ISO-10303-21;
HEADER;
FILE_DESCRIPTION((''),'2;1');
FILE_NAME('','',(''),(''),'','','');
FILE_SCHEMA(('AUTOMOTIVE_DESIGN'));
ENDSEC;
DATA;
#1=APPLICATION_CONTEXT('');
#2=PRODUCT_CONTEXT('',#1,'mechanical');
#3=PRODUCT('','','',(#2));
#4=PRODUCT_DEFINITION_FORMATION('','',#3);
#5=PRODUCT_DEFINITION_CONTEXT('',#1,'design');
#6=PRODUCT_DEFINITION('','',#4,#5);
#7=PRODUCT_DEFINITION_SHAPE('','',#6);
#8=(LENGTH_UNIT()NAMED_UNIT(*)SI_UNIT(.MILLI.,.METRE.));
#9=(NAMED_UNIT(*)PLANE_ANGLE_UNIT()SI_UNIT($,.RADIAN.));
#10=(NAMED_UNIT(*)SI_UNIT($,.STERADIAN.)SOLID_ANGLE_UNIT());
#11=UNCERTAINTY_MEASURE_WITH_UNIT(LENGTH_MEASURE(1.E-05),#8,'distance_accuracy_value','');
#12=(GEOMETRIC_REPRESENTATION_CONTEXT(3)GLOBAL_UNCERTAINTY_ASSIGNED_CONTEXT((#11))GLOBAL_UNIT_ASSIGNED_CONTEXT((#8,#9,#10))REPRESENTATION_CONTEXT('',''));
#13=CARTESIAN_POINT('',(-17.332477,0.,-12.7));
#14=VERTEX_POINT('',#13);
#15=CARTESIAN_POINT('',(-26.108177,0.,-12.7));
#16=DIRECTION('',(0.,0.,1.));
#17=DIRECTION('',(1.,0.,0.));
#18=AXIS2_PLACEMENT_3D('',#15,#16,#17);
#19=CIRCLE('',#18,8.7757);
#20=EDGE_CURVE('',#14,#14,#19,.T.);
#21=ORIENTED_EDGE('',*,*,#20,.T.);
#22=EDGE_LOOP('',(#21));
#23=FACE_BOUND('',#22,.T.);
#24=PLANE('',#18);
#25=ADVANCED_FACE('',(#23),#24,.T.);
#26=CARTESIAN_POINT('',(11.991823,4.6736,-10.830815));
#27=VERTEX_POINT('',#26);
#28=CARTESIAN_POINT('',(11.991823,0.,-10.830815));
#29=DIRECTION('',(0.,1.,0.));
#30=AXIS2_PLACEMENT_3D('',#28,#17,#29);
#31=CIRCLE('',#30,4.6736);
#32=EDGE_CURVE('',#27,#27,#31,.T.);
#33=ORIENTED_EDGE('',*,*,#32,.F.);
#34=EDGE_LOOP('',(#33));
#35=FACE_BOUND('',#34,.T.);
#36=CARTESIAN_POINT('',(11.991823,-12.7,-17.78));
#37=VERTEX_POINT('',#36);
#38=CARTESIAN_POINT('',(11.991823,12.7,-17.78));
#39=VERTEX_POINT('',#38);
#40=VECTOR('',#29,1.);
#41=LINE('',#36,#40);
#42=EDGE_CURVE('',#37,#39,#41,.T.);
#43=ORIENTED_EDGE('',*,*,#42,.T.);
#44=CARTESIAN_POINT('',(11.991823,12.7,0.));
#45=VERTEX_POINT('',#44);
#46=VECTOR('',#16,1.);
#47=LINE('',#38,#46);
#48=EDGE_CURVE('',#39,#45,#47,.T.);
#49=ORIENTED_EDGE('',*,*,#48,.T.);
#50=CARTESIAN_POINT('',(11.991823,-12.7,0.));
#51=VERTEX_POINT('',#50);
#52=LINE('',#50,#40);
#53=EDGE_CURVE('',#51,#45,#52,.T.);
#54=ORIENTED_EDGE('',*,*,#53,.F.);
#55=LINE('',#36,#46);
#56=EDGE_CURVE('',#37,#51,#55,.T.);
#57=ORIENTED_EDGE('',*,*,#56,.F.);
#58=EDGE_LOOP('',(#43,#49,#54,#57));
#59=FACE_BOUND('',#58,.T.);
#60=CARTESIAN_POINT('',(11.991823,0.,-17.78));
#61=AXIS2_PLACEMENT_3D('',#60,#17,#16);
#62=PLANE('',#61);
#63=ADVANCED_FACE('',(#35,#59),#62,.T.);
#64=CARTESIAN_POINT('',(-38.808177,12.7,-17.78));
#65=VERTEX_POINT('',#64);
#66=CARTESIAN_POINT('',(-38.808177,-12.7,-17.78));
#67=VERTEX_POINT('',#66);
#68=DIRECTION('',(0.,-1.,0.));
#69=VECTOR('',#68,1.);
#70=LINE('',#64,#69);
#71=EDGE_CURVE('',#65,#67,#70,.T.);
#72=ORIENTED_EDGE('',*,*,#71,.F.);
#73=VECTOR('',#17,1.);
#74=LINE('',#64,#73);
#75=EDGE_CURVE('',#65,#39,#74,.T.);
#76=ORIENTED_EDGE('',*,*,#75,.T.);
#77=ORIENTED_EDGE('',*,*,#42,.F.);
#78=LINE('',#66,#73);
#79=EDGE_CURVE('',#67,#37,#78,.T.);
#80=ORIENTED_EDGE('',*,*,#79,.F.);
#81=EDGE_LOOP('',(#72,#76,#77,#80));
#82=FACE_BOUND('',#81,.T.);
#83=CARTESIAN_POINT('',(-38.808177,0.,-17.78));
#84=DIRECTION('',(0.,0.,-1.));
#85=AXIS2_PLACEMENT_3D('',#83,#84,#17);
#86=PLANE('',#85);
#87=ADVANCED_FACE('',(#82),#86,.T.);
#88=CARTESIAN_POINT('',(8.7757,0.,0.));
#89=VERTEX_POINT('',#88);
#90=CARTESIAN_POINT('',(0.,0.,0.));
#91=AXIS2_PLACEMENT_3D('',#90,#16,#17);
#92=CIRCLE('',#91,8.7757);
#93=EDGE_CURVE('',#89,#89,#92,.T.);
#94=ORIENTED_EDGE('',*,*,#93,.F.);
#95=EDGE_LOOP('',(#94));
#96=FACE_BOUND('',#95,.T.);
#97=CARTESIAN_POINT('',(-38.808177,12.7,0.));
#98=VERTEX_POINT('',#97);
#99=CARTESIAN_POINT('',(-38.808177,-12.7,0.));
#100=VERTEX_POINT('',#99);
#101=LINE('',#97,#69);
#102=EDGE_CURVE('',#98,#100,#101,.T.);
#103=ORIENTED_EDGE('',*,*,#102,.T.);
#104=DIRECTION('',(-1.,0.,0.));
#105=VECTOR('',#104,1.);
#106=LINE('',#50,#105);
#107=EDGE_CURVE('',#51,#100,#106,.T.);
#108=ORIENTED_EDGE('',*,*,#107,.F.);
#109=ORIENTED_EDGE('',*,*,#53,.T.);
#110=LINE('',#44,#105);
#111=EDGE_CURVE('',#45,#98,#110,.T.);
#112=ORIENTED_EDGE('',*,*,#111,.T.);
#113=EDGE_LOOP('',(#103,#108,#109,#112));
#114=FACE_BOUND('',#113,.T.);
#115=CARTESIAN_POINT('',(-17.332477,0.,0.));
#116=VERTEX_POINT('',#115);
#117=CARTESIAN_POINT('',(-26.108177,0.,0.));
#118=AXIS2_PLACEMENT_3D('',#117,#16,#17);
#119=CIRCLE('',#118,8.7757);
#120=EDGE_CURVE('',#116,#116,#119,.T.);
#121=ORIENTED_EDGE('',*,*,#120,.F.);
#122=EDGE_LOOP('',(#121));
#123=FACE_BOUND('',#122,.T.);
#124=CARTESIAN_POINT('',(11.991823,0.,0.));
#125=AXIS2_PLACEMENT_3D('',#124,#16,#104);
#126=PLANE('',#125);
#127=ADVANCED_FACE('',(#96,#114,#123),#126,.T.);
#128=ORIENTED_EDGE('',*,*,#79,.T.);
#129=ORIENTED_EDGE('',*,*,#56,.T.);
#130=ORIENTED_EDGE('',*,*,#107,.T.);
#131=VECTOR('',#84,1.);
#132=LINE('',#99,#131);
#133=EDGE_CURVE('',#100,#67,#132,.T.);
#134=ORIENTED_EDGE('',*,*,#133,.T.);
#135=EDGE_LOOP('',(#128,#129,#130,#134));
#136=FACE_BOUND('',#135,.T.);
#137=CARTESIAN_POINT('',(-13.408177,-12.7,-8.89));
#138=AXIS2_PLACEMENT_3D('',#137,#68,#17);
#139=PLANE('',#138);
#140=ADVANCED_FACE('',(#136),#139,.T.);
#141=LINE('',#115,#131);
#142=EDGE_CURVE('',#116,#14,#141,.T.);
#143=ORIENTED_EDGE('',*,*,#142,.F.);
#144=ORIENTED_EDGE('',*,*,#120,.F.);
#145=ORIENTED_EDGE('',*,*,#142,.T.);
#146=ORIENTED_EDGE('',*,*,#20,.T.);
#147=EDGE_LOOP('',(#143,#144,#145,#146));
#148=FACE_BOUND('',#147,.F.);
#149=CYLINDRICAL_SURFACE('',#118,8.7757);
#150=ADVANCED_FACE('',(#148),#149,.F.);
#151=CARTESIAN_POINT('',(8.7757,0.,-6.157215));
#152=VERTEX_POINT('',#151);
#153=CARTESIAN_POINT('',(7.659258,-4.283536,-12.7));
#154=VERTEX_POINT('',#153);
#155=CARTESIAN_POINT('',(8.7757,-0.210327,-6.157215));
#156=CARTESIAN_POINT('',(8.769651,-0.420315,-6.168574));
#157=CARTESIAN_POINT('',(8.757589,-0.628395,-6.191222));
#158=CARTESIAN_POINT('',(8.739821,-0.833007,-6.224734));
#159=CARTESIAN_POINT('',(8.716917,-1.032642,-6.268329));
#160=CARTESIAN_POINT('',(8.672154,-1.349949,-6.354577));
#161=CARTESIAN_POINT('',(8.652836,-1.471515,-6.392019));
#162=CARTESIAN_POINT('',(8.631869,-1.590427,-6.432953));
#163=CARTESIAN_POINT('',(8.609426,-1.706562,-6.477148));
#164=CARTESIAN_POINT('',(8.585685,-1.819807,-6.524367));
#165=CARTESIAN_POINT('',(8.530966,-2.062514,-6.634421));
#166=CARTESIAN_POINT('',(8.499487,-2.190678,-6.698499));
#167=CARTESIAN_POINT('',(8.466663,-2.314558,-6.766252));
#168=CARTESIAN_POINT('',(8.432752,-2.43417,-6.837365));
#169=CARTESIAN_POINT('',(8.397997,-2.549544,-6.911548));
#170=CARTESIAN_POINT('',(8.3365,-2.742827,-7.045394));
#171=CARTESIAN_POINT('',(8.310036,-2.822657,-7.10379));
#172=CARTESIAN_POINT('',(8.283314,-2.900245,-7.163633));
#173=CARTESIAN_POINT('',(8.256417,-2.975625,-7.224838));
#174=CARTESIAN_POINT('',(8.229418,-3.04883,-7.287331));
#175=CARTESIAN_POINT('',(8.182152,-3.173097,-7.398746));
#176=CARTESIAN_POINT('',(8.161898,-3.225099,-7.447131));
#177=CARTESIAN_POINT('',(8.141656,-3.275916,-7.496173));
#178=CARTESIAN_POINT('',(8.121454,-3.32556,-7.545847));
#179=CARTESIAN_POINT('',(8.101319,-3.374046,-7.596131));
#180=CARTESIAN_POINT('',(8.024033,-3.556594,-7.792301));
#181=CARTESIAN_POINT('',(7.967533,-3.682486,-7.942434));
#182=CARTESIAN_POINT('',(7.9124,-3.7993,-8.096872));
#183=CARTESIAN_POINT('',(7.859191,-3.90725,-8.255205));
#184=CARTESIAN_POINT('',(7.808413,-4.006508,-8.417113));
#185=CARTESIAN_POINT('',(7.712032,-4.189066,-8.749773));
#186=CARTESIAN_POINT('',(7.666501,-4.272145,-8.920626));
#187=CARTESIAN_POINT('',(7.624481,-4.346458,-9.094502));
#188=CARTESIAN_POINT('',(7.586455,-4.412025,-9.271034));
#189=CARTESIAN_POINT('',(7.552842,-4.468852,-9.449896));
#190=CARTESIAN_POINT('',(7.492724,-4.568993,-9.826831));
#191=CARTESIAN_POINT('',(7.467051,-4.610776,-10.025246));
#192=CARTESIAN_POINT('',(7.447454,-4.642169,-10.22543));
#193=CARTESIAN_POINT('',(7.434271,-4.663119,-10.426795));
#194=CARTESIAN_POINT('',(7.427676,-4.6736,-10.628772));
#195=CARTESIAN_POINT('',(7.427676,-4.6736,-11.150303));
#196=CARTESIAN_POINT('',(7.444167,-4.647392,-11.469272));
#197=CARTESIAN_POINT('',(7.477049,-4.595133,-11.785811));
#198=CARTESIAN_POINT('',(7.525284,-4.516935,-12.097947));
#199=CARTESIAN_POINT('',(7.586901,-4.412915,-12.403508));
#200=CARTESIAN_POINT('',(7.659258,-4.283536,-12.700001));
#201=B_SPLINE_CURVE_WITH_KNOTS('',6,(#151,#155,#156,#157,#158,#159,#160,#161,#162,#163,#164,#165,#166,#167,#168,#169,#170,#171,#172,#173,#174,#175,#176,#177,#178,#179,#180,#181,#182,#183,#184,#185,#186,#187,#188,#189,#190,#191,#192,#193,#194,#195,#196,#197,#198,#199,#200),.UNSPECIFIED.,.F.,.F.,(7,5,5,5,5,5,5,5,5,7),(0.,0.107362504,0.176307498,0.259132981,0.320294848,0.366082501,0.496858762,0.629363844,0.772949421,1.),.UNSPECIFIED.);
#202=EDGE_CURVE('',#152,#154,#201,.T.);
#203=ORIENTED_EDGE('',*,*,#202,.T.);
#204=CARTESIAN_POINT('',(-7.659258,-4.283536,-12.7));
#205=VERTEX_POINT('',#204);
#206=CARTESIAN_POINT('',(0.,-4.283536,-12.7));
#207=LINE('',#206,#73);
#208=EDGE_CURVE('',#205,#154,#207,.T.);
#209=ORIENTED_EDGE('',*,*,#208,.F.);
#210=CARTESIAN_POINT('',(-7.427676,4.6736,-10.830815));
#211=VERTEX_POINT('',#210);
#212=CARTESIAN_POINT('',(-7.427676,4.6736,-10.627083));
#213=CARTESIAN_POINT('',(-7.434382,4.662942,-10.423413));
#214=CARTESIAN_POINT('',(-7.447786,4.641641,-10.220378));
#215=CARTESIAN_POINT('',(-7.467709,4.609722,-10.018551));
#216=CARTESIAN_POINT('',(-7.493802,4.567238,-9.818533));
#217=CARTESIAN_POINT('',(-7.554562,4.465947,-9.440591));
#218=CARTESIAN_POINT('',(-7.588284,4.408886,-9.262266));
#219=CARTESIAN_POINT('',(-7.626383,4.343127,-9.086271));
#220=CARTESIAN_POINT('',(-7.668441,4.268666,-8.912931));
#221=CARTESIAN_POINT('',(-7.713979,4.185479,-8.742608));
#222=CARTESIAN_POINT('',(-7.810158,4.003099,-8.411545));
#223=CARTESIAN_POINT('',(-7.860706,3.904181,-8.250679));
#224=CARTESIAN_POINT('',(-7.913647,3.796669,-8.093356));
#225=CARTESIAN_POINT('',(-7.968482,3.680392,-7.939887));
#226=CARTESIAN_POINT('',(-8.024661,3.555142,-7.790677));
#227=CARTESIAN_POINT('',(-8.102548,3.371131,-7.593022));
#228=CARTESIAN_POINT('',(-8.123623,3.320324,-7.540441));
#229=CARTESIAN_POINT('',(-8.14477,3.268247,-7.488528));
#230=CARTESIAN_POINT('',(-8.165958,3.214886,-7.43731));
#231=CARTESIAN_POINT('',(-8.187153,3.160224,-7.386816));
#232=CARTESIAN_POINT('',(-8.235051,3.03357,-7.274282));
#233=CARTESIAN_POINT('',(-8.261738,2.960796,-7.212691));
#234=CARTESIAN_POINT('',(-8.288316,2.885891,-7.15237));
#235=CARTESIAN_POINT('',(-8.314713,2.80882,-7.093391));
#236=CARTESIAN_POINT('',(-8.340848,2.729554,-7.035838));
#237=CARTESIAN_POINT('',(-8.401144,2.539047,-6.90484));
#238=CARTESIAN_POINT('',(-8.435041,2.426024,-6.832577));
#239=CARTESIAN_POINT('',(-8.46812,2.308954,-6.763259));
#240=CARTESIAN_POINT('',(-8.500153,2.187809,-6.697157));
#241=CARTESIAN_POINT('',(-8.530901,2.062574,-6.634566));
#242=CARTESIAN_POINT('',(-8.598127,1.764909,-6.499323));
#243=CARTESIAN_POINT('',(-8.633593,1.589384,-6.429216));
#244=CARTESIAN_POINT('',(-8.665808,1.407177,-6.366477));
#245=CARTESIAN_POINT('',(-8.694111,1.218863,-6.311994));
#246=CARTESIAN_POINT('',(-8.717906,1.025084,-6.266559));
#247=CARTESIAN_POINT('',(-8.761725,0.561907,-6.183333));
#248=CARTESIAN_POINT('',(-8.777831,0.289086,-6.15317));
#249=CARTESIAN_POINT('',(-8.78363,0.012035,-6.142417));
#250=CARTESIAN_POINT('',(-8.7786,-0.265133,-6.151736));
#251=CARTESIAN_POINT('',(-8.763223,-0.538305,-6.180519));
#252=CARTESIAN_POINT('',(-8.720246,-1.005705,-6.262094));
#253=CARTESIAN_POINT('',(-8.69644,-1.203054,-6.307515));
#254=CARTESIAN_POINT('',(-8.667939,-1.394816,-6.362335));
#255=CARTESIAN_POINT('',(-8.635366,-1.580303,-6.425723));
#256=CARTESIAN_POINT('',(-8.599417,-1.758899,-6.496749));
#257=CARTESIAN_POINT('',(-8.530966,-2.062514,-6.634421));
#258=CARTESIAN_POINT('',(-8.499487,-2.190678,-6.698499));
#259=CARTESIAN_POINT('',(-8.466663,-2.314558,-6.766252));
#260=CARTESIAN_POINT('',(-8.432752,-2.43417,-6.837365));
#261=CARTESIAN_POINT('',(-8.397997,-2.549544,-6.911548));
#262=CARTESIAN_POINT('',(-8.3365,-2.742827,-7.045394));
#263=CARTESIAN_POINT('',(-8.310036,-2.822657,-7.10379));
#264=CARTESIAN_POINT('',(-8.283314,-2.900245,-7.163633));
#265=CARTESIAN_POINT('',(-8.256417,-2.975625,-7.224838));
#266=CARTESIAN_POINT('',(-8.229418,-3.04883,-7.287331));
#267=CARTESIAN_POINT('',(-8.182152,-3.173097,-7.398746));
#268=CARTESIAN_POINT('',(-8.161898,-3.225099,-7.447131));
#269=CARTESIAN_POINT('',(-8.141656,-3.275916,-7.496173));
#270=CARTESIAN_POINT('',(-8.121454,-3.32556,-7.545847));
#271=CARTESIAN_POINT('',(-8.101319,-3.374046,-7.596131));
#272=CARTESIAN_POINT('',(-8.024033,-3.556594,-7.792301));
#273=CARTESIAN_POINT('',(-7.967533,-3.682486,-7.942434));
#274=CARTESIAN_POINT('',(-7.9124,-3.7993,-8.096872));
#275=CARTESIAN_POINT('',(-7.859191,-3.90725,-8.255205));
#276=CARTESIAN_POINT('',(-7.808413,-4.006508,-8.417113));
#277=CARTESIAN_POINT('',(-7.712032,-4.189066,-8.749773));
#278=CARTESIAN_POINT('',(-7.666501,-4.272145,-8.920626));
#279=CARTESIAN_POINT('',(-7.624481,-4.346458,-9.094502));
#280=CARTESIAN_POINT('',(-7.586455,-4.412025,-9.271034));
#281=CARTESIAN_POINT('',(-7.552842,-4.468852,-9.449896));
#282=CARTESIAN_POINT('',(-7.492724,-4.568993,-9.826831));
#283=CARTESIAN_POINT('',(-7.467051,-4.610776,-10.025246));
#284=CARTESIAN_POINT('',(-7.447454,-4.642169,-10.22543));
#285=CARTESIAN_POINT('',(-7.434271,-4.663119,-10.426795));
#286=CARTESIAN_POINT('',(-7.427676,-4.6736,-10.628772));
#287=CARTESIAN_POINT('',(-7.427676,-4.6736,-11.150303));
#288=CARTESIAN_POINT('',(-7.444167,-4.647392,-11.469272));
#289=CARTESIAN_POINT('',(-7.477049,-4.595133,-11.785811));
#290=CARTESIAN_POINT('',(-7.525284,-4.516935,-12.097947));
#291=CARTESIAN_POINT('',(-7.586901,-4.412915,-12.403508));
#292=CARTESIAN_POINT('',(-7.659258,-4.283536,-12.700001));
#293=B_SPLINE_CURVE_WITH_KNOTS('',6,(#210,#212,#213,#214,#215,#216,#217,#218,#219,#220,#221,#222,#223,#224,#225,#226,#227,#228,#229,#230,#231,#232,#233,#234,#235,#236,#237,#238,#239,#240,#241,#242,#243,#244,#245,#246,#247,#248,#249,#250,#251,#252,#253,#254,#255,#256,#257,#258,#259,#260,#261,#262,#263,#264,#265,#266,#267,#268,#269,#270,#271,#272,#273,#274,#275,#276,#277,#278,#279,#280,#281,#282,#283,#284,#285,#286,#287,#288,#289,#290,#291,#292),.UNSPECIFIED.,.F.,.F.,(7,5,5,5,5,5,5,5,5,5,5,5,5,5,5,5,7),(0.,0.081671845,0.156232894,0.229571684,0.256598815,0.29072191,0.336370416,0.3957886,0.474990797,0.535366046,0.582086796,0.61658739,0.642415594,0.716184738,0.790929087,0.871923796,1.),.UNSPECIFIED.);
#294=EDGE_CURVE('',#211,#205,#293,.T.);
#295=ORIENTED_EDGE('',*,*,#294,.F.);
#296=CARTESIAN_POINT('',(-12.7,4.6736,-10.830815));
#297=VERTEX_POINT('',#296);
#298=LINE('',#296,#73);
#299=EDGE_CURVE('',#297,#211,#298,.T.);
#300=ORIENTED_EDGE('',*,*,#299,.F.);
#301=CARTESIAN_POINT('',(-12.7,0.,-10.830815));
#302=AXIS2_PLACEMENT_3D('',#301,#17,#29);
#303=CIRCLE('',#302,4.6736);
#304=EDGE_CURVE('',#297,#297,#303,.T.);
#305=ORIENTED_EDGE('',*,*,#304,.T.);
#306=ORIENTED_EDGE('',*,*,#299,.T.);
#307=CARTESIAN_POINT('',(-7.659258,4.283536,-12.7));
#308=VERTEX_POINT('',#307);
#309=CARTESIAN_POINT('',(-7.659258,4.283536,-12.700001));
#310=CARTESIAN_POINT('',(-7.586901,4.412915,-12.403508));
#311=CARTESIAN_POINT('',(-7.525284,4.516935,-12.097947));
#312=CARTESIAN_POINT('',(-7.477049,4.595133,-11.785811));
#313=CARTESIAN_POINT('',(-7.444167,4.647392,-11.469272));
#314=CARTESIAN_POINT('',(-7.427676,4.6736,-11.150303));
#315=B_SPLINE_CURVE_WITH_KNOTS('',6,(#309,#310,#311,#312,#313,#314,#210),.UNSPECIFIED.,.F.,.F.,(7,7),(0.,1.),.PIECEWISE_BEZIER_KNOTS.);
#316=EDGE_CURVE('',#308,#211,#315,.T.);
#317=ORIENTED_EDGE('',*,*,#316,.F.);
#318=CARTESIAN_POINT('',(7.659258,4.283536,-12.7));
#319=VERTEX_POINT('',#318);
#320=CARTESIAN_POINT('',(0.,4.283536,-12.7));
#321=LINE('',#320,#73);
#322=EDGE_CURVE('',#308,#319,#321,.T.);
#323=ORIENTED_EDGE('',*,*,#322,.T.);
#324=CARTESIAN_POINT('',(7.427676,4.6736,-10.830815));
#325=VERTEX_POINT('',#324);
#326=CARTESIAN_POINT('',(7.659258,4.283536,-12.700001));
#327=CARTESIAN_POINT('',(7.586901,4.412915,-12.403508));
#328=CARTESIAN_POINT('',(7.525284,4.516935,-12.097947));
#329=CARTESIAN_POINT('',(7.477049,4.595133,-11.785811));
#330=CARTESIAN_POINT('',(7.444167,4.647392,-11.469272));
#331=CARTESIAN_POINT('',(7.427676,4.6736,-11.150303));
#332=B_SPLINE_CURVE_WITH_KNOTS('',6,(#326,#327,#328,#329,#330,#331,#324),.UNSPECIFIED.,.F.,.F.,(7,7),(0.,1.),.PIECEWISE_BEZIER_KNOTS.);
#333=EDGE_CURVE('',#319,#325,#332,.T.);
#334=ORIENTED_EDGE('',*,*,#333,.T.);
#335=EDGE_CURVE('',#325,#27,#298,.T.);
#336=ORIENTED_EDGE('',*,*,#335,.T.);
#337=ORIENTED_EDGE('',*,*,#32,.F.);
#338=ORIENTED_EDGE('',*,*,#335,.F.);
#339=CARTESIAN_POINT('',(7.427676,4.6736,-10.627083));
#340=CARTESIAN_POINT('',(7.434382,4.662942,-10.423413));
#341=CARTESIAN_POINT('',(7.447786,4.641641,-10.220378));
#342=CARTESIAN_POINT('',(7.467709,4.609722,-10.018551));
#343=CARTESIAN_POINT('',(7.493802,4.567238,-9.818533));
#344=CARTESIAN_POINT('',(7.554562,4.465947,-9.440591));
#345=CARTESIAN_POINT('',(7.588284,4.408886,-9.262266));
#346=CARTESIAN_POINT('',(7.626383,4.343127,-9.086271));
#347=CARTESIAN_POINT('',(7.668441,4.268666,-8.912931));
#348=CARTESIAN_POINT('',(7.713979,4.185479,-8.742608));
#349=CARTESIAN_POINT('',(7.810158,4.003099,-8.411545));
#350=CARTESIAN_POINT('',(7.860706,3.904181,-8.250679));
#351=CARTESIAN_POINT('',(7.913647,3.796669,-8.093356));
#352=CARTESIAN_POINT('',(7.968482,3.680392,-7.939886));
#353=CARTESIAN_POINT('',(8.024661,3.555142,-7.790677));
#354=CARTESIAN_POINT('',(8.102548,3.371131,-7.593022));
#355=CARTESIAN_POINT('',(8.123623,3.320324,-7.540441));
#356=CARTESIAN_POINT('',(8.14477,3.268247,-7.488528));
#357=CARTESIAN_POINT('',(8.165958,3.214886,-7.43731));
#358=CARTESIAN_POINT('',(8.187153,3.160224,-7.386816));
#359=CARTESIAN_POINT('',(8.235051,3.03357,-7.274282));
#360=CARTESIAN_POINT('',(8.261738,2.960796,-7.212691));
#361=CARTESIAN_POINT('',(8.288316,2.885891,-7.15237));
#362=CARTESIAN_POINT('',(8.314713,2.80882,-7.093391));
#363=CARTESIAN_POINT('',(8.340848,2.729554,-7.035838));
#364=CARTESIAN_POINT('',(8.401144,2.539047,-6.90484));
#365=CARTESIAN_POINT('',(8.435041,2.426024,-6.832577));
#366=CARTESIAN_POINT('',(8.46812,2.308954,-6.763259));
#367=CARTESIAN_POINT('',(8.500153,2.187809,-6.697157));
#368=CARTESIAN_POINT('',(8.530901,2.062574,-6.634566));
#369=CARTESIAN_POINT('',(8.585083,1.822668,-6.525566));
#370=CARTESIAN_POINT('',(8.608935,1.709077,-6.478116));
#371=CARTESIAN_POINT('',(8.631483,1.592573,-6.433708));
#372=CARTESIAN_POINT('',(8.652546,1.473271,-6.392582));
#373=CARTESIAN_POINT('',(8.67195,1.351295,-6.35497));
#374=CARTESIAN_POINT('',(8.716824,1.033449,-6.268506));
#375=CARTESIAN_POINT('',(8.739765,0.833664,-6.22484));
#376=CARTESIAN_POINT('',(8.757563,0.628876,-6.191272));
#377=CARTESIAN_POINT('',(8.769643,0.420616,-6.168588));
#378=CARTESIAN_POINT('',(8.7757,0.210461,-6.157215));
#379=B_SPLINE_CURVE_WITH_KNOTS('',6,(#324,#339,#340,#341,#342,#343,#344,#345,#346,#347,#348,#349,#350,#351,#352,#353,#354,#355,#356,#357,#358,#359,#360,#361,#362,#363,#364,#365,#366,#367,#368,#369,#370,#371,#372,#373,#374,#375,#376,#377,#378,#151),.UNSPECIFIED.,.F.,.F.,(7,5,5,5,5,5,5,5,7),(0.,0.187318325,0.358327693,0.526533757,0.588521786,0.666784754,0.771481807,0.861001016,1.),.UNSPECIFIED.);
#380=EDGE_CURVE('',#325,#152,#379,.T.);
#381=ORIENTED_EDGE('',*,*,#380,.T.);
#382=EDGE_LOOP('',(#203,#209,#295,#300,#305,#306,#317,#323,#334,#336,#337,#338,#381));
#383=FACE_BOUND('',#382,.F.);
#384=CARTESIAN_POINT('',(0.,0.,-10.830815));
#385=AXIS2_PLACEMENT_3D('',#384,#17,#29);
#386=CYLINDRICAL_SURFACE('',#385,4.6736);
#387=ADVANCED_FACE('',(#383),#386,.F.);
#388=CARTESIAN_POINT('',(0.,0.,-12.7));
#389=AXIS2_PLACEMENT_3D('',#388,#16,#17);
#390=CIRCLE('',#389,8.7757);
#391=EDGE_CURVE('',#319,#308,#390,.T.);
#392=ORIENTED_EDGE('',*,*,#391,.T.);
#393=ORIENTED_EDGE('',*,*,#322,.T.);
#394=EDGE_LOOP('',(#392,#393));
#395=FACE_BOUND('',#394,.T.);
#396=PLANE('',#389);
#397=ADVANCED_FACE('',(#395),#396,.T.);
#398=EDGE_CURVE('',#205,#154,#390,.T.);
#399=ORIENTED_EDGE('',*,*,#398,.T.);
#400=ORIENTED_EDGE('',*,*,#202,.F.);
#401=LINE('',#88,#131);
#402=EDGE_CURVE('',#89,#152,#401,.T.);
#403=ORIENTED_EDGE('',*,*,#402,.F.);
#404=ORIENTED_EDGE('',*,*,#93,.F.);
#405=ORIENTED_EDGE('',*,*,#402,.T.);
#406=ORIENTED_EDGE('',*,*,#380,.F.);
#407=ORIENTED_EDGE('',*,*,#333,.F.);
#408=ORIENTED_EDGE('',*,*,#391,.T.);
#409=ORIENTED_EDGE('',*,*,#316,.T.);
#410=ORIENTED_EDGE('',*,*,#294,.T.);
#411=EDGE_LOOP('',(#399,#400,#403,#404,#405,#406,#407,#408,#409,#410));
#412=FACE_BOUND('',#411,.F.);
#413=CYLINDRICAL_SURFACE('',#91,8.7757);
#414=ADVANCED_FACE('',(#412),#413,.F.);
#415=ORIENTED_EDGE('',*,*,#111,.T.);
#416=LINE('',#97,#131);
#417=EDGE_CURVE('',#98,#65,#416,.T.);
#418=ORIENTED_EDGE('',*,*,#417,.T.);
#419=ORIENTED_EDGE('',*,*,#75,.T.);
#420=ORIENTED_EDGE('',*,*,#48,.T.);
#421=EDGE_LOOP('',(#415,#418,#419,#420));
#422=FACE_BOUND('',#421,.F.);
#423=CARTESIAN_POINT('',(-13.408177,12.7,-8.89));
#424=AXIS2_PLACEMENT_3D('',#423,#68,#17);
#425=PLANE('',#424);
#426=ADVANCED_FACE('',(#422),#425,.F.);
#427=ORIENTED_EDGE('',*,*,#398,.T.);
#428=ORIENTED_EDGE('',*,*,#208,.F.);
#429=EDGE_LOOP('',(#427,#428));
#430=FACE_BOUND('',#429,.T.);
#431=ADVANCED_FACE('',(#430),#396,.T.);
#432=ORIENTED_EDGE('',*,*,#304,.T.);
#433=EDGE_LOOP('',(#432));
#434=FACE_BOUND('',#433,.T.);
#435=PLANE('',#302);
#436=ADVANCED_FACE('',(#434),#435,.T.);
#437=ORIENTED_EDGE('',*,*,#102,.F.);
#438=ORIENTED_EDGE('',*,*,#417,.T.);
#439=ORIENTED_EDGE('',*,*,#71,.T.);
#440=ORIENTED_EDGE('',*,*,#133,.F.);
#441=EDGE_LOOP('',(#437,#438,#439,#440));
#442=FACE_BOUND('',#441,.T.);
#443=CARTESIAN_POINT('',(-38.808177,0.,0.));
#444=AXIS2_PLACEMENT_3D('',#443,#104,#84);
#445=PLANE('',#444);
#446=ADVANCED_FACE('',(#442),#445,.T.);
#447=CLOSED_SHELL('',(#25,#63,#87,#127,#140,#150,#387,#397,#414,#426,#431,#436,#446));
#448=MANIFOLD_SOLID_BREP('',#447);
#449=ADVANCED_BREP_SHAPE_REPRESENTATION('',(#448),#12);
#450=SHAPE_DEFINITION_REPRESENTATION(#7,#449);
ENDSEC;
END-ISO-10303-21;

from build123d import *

# Parameters (mm, degrees)
F1_DEPTH = 12.7
F2_R     = 8.7757
F3_DEPTH = 12.7
F4_R     = 4.6736
F5_DEPTH = 12.7


with BuildPart() as f1:
    # F0 (on Front) → F1 (new body, symmetric)
    with BuildSketch(Plane.XZ):
        Polygon((11.991823, 0), (0, 0), (-38.808177, 0), (-38.808177, -17.78), (11.991823, -17.78), align=None)
    extrude(amount=F1_DEPTH, both=True)

    # F2 (on Top) → F3 (cut)
    with BuildSketch(Plane.XY):
        with Locations((-26.108177, 0)):
            Circle(F2_R)
        Circle(F2_R)
    extrude(amount=-F3_DEPTH, mode=Mode.SUBTRACT)

    # F4 (on Right) → F5 (cut, symmetric)
    with BuildSketch(Plane.YZ):
        with Locations((0, -10.830815)):
            Circle(F4_R)
    extrude(amount=F5_DEPTH, both=True, mode=Mode.SUBTRACT)


solid = f1.part
